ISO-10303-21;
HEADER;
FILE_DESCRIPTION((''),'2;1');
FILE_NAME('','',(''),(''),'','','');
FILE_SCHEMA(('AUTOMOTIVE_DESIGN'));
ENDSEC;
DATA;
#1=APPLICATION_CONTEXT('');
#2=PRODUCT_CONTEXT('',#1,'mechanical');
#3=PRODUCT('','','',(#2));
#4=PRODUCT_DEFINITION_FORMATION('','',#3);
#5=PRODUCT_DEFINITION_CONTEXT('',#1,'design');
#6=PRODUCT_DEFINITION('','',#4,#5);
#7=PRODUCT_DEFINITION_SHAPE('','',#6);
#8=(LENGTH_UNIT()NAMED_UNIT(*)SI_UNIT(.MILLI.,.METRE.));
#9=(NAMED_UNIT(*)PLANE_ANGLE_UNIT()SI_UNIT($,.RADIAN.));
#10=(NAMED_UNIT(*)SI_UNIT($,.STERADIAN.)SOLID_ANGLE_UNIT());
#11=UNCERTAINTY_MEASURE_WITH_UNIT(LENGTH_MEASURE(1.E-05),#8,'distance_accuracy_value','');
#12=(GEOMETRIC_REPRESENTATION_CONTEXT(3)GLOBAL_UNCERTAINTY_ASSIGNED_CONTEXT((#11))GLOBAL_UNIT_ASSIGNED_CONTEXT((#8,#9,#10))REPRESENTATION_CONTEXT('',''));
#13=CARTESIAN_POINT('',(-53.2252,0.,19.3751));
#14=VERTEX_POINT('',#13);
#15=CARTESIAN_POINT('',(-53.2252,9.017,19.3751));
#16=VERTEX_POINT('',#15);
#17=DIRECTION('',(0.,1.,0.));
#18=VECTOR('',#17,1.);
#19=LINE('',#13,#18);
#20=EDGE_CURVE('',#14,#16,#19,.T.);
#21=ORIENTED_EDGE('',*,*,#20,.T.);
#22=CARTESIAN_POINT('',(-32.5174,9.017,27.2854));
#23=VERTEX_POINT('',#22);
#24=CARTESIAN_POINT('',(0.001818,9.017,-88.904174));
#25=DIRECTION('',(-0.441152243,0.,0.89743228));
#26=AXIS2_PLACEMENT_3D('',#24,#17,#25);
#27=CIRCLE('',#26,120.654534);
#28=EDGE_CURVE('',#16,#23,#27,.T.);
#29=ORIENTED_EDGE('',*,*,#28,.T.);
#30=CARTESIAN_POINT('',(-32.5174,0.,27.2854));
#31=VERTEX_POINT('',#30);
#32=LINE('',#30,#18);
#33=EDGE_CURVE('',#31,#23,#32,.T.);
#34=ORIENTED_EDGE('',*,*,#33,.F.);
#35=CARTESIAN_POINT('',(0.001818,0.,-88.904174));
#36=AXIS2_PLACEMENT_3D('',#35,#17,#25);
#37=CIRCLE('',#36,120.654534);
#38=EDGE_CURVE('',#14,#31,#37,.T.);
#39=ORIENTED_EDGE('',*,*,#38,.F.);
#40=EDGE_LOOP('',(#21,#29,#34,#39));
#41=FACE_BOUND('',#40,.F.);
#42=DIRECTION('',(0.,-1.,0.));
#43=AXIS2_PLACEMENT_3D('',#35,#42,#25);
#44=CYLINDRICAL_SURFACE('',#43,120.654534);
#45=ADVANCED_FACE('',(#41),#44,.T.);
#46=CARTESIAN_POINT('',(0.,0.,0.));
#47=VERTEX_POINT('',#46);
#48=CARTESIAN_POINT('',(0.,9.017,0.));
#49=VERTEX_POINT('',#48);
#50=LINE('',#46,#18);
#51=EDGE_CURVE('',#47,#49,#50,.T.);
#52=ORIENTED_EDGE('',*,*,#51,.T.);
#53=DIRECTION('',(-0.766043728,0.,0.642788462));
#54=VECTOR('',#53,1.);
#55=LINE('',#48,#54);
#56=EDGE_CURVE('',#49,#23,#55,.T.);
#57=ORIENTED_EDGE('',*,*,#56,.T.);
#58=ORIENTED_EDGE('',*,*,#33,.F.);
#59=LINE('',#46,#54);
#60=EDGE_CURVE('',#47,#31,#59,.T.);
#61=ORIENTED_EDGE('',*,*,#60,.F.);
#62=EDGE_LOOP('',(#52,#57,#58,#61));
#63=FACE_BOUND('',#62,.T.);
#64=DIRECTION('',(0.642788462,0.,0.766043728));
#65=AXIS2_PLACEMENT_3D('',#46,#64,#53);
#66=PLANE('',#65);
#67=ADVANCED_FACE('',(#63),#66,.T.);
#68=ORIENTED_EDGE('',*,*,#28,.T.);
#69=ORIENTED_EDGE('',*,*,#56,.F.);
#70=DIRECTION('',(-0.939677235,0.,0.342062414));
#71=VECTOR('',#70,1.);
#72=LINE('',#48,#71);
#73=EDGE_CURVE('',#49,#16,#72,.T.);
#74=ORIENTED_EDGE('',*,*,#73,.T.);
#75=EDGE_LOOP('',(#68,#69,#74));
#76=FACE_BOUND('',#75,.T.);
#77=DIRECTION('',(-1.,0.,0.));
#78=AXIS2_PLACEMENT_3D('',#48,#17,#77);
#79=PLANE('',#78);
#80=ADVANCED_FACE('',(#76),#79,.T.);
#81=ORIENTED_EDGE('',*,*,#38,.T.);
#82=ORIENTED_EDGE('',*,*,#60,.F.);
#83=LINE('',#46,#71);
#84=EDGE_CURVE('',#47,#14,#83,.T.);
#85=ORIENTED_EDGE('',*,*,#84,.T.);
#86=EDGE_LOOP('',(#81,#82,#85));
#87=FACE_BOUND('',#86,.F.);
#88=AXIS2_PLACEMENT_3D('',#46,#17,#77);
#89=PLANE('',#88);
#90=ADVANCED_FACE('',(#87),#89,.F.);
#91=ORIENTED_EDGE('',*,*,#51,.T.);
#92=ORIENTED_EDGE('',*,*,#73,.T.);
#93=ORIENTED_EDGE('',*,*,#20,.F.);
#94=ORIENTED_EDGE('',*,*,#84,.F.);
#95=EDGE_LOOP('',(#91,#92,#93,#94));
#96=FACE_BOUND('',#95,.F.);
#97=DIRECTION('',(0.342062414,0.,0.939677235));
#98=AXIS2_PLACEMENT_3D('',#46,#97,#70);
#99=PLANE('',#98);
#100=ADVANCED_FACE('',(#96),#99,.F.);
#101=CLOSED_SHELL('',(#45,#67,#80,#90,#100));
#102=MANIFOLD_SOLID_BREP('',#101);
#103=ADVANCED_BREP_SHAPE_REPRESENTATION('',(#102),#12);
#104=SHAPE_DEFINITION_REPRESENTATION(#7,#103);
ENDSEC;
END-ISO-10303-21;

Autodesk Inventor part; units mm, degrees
ref_plane "YZ Plane" through (0, 0, 0) normal (1, 0, 0) x (0, 1, 0)
ref_plane "XZ Plane" through (0, 0, 0) normal (0, 1, 0) x (-1, 0, 0)
ref_plane "XY Plane" through (0, 0, 0) normal (0, 0, 1) x (1, 0, 0)
sketch "Sketch1" plane through (0, 0, 0) normal (0, 1, 0) x (-1, 0, 0)
  line L0 (-16.0222, 0) -> (58.748, 0) projected
  line L1 (0, -100.5662) -> (0, 62.7605) projected
  arc A0 (53.2252, 19.3751) -> (32.5174, 27.2854) centre (0, -88.9) ccw
  line L2 (0, 0) -> (32.5174, 27.2854)
  line L3 (0, 0) -> (53.2252, 19.3751)
  dimension "d5" = 50
  dimension "d6" = 69.997
  dimension "d7" = 56.642
  dimension "d8" = 42.4485
extrude "Extrusion1" add sketch "Sketch1" along normal blind 9.017
properties part number "Vane_blade"
